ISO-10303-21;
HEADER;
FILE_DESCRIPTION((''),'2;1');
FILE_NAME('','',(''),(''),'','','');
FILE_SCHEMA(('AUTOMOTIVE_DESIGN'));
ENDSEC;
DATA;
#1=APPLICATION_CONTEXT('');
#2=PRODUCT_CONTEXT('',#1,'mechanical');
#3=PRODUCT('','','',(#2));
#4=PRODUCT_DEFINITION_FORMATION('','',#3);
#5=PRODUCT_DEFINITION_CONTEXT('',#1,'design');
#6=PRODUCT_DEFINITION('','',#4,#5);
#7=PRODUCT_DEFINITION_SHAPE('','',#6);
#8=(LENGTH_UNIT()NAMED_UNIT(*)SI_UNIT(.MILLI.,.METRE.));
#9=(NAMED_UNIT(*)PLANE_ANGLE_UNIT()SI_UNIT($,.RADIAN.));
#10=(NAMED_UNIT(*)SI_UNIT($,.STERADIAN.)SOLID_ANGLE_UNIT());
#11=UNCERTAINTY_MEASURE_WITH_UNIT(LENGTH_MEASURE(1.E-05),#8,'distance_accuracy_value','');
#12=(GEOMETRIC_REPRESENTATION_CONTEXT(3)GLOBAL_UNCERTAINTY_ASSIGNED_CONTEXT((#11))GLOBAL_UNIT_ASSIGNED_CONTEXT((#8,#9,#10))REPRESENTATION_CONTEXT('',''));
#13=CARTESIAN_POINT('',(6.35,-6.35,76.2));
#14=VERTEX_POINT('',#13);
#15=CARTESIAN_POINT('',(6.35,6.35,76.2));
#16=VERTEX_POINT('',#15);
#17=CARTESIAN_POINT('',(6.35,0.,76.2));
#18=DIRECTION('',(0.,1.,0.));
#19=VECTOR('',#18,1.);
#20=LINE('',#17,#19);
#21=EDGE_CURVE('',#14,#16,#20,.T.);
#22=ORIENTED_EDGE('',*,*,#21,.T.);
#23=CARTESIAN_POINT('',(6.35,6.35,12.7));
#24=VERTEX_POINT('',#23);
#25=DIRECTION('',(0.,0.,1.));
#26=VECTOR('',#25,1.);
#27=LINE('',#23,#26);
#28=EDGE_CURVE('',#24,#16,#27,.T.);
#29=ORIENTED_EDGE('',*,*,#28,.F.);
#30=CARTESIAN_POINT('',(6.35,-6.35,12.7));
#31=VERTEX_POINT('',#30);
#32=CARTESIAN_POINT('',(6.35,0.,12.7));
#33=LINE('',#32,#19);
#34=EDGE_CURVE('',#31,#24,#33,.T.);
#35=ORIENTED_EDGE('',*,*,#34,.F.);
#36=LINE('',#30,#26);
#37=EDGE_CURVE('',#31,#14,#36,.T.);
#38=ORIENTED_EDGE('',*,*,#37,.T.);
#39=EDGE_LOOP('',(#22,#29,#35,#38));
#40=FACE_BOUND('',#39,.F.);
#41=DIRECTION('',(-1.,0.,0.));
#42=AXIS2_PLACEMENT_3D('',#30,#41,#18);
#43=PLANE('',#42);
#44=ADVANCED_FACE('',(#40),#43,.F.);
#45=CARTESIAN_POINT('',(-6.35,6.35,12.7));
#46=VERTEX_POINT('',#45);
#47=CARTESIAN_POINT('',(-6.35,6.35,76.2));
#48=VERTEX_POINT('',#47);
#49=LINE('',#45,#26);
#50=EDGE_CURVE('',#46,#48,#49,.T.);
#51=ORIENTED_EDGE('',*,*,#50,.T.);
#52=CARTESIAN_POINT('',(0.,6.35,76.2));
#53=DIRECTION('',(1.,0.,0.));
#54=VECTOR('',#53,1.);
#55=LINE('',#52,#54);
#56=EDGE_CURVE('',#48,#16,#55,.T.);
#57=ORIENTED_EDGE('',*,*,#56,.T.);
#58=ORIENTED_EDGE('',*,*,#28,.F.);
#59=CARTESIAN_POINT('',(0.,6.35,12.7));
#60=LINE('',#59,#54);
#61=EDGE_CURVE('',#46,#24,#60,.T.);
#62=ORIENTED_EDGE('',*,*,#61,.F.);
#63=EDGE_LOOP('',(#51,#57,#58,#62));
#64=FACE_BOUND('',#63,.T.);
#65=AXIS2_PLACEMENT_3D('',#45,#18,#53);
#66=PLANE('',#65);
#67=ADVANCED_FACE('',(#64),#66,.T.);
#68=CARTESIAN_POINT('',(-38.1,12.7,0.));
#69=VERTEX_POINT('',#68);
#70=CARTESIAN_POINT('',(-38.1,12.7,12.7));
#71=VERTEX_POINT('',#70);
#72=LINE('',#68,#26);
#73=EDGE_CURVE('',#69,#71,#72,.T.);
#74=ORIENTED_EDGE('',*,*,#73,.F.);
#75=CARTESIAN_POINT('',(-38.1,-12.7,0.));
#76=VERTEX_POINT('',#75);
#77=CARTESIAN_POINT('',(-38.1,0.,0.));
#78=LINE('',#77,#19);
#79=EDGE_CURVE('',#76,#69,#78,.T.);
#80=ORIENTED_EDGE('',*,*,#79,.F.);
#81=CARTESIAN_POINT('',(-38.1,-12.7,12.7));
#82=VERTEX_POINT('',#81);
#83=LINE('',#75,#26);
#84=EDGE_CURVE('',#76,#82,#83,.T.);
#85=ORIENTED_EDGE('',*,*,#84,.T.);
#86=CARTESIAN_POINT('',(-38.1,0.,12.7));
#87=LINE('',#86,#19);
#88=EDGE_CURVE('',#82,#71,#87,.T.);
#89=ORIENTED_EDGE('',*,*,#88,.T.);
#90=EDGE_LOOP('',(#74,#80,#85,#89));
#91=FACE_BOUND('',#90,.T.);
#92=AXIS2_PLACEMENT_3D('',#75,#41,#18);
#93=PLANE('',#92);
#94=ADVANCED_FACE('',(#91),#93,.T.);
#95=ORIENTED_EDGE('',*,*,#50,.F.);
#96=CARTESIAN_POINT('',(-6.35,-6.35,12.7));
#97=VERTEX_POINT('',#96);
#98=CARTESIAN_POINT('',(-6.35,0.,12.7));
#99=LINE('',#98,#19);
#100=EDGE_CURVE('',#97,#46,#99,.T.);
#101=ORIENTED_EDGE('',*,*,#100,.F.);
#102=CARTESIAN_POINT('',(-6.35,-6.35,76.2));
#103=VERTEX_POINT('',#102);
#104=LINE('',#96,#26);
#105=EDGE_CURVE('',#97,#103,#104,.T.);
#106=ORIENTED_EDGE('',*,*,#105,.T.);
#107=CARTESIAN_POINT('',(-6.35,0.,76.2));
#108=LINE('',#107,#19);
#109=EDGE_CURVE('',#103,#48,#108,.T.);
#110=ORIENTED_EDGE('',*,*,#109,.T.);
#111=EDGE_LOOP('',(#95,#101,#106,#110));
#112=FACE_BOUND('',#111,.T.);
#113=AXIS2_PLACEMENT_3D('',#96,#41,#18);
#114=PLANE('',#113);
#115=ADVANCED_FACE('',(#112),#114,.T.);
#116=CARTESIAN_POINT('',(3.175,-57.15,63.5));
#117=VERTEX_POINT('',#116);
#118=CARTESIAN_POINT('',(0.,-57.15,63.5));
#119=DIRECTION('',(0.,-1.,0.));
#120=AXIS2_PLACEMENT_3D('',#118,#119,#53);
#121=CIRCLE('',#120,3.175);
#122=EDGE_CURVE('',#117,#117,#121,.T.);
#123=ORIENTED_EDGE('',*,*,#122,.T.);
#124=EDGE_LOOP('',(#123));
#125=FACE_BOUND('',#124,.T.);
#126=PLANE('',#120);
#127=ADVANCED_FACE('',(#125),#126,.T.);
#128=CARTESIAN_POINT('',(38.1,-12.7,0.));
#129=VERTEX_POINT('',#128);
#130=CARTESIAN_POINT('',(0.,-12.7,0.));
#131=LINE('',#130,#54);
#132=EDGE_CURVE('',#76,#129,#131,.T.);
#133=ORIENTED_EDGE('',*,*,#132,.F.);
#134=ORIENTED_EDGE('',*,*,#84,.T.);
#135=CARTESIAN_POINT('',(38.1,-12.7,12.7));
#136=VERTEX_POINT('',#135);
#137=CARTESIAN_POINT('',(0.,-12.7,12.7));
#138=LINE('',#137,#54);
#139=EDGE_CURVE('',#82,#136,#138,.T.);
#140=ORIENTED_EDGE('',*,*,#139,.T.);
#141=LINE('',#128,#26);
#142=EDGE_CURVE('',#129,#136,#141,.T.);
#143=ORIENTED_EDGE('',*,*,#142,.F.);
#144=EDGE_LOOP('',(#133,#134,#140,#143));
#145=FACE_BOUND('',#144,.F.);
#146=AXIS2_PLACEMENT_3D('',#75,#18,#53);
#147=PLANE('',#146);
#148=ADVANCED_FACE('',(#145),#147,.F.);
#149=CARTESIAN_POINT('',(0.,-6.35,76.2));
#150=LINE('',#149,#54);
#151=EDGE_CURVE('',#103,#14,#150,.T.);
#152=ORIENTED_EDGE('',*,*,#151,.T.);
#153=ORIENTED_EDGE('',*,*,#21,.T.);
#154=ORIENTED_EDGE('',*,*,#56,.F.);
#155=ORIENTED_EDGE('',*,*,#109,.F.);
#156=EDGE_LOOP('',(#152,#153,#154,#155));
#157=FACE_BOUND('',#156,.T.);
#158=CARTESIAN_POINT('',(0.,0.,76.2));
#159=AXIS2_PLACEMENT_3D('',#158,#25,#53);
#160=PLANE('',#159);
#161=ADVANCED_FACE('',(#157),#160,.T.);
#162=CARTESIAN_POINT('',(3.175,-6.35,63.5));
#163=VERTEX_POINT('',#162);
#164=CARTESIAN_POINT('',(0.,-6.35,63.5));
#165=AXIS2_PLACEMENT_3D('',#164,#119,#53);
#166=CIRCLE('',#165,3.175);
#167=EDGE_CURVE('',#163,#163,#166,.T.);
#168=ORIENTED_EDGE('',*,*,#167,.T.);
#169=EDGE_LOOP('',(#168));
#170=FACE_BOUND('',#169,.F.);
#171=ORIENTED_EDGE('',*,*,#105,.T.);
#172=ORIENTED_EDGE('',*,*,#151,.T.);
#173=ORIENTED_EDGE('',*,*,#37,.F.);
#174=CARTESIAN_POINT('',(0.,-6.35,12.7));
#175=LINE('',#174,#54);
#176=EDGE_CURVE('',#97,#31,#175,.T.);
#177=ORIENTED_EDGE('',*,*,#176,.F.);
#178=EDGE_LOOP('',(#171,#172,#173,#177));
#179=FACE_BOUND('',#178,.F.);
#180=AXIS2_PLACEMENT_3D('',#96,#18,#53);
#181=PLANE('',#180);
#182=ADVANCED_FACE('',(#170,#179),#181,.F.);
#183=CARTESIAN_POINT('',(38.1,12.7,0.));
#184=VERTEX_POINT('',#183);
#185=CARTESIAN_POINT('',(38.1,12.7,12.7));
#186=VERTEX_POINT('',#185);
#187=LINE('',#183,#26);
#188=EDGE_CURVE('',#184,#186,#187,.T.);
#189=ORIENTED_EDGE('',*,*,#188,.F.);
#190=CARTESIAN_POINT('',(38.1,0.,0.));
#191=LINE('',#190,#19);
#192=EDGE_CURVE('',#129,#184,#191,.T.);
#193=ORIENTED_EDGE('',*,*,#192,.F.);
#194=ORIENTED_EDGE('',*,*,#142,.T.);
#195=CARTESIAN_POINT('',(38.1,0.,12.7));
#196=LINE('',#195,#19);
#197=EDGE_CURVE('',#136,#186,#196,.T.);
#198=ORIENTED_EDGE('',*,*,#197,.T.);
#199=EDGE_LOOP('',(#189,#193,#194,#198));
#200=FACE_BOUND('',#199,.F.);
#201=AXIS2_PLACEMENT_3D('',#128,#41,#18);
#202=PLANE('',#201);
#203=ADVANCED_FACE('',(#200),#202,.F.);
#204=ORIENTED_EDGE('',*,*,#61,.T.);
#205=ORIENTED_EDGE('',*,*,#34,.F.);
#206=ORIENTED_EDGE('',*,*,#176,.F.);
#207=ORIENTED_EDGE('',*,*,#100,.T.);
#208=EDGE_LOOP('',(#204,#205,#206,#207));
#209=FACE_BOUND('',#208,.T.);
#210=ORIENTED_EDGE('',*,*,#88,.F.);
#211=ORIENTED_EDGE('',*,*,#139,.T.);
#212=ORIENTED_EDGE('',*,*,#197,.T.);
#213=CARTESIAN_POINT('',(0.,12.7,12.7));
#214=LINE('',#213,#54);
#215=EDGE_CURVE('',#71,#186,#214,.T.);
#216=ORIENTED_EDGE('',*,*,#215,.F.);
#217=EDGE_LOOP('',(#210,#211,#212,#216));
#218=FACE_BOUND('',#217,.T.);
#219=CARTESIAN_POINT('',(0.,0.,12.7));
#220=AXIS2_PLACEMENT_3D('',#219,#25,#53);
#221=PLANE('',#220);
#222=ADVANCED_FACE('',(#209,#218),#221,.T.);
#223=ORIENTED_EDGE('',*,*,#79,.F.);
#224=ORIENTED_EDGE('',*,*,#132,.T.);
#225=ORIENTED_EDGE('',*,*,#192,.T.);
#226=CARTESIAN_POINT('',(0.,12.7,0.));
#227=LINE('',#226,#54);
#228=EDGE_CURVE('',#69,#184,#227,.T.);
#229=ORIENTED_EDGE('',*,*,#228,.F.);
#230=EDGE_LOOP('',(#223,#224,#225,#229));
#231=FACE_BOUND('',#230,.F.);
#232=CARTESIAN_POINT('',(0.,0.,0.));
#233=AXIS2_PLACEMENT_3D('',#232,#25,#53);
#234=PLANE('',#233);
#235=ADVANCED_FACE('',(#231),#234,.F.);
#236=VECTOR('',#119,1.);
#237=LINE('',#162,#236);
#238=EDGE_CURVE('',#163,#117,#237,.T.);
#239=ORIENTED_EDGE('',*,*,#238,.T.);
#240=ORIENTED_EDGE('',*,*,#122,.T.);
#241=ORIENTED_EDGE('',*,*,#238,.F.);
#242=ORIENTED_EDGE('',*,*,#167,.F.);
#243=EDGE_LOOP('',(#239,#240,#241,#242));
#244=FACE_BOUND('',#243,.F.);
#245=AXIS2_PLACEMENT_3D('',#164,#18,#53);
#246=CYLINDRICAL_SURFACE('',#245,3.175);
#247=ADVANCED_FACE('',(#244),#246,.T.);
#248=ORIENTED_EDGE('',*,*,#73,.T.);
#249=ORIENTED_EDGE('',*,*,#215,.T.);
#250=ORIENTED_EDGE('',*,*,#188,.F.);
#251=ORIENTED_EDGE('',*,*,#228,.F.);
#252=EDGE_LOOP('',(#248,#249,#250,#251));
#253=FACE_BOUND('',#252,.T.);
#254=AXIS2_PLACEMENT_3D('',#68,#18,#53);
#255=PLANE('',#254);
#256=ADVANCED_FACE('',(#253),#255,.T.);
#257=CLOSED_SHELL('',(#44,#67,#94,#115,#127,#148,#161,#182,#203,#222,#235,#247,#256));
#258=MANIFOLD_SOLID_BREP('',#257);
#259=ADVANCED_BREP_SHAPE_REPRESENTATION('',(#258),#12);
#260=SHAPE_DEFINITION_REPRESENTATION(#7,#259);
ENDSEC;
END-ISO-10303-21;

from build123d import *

# Parameters (mm, degrees)
F0_W     = 76.2
F0_H     = 25.4
F1_DEPTH = 12.7
F2_W     = 12.7
F2_H     = 12.7
F3_DEPTH = 63.5
F4_R     = 3.175
F5_DEPTH = 50.8


with BuildPart() as f1:
    # F0 (on Top) → F1 (new body)
    with BuildSketch(Plane.XY):
        Rectangle(F0_W, F0_H)
    extrude(amount=F1_DEPTH)

    # F2 (on face) → F3 (join)
    with BuildSketch(Plane.XY.offset(12.7)):
        Rectangle(F2_W, F2_H)
    extrude(amount=F3_DEPTH)

    # F4 (on face) → F5 (join)
    with BuildSketch(Plane.XZ.offset(6.35)):
        with Locations((0, 63.5)):
            Circle(F4_R)
    extrude(amount=F5_DEPTH)


solid = f1.part
